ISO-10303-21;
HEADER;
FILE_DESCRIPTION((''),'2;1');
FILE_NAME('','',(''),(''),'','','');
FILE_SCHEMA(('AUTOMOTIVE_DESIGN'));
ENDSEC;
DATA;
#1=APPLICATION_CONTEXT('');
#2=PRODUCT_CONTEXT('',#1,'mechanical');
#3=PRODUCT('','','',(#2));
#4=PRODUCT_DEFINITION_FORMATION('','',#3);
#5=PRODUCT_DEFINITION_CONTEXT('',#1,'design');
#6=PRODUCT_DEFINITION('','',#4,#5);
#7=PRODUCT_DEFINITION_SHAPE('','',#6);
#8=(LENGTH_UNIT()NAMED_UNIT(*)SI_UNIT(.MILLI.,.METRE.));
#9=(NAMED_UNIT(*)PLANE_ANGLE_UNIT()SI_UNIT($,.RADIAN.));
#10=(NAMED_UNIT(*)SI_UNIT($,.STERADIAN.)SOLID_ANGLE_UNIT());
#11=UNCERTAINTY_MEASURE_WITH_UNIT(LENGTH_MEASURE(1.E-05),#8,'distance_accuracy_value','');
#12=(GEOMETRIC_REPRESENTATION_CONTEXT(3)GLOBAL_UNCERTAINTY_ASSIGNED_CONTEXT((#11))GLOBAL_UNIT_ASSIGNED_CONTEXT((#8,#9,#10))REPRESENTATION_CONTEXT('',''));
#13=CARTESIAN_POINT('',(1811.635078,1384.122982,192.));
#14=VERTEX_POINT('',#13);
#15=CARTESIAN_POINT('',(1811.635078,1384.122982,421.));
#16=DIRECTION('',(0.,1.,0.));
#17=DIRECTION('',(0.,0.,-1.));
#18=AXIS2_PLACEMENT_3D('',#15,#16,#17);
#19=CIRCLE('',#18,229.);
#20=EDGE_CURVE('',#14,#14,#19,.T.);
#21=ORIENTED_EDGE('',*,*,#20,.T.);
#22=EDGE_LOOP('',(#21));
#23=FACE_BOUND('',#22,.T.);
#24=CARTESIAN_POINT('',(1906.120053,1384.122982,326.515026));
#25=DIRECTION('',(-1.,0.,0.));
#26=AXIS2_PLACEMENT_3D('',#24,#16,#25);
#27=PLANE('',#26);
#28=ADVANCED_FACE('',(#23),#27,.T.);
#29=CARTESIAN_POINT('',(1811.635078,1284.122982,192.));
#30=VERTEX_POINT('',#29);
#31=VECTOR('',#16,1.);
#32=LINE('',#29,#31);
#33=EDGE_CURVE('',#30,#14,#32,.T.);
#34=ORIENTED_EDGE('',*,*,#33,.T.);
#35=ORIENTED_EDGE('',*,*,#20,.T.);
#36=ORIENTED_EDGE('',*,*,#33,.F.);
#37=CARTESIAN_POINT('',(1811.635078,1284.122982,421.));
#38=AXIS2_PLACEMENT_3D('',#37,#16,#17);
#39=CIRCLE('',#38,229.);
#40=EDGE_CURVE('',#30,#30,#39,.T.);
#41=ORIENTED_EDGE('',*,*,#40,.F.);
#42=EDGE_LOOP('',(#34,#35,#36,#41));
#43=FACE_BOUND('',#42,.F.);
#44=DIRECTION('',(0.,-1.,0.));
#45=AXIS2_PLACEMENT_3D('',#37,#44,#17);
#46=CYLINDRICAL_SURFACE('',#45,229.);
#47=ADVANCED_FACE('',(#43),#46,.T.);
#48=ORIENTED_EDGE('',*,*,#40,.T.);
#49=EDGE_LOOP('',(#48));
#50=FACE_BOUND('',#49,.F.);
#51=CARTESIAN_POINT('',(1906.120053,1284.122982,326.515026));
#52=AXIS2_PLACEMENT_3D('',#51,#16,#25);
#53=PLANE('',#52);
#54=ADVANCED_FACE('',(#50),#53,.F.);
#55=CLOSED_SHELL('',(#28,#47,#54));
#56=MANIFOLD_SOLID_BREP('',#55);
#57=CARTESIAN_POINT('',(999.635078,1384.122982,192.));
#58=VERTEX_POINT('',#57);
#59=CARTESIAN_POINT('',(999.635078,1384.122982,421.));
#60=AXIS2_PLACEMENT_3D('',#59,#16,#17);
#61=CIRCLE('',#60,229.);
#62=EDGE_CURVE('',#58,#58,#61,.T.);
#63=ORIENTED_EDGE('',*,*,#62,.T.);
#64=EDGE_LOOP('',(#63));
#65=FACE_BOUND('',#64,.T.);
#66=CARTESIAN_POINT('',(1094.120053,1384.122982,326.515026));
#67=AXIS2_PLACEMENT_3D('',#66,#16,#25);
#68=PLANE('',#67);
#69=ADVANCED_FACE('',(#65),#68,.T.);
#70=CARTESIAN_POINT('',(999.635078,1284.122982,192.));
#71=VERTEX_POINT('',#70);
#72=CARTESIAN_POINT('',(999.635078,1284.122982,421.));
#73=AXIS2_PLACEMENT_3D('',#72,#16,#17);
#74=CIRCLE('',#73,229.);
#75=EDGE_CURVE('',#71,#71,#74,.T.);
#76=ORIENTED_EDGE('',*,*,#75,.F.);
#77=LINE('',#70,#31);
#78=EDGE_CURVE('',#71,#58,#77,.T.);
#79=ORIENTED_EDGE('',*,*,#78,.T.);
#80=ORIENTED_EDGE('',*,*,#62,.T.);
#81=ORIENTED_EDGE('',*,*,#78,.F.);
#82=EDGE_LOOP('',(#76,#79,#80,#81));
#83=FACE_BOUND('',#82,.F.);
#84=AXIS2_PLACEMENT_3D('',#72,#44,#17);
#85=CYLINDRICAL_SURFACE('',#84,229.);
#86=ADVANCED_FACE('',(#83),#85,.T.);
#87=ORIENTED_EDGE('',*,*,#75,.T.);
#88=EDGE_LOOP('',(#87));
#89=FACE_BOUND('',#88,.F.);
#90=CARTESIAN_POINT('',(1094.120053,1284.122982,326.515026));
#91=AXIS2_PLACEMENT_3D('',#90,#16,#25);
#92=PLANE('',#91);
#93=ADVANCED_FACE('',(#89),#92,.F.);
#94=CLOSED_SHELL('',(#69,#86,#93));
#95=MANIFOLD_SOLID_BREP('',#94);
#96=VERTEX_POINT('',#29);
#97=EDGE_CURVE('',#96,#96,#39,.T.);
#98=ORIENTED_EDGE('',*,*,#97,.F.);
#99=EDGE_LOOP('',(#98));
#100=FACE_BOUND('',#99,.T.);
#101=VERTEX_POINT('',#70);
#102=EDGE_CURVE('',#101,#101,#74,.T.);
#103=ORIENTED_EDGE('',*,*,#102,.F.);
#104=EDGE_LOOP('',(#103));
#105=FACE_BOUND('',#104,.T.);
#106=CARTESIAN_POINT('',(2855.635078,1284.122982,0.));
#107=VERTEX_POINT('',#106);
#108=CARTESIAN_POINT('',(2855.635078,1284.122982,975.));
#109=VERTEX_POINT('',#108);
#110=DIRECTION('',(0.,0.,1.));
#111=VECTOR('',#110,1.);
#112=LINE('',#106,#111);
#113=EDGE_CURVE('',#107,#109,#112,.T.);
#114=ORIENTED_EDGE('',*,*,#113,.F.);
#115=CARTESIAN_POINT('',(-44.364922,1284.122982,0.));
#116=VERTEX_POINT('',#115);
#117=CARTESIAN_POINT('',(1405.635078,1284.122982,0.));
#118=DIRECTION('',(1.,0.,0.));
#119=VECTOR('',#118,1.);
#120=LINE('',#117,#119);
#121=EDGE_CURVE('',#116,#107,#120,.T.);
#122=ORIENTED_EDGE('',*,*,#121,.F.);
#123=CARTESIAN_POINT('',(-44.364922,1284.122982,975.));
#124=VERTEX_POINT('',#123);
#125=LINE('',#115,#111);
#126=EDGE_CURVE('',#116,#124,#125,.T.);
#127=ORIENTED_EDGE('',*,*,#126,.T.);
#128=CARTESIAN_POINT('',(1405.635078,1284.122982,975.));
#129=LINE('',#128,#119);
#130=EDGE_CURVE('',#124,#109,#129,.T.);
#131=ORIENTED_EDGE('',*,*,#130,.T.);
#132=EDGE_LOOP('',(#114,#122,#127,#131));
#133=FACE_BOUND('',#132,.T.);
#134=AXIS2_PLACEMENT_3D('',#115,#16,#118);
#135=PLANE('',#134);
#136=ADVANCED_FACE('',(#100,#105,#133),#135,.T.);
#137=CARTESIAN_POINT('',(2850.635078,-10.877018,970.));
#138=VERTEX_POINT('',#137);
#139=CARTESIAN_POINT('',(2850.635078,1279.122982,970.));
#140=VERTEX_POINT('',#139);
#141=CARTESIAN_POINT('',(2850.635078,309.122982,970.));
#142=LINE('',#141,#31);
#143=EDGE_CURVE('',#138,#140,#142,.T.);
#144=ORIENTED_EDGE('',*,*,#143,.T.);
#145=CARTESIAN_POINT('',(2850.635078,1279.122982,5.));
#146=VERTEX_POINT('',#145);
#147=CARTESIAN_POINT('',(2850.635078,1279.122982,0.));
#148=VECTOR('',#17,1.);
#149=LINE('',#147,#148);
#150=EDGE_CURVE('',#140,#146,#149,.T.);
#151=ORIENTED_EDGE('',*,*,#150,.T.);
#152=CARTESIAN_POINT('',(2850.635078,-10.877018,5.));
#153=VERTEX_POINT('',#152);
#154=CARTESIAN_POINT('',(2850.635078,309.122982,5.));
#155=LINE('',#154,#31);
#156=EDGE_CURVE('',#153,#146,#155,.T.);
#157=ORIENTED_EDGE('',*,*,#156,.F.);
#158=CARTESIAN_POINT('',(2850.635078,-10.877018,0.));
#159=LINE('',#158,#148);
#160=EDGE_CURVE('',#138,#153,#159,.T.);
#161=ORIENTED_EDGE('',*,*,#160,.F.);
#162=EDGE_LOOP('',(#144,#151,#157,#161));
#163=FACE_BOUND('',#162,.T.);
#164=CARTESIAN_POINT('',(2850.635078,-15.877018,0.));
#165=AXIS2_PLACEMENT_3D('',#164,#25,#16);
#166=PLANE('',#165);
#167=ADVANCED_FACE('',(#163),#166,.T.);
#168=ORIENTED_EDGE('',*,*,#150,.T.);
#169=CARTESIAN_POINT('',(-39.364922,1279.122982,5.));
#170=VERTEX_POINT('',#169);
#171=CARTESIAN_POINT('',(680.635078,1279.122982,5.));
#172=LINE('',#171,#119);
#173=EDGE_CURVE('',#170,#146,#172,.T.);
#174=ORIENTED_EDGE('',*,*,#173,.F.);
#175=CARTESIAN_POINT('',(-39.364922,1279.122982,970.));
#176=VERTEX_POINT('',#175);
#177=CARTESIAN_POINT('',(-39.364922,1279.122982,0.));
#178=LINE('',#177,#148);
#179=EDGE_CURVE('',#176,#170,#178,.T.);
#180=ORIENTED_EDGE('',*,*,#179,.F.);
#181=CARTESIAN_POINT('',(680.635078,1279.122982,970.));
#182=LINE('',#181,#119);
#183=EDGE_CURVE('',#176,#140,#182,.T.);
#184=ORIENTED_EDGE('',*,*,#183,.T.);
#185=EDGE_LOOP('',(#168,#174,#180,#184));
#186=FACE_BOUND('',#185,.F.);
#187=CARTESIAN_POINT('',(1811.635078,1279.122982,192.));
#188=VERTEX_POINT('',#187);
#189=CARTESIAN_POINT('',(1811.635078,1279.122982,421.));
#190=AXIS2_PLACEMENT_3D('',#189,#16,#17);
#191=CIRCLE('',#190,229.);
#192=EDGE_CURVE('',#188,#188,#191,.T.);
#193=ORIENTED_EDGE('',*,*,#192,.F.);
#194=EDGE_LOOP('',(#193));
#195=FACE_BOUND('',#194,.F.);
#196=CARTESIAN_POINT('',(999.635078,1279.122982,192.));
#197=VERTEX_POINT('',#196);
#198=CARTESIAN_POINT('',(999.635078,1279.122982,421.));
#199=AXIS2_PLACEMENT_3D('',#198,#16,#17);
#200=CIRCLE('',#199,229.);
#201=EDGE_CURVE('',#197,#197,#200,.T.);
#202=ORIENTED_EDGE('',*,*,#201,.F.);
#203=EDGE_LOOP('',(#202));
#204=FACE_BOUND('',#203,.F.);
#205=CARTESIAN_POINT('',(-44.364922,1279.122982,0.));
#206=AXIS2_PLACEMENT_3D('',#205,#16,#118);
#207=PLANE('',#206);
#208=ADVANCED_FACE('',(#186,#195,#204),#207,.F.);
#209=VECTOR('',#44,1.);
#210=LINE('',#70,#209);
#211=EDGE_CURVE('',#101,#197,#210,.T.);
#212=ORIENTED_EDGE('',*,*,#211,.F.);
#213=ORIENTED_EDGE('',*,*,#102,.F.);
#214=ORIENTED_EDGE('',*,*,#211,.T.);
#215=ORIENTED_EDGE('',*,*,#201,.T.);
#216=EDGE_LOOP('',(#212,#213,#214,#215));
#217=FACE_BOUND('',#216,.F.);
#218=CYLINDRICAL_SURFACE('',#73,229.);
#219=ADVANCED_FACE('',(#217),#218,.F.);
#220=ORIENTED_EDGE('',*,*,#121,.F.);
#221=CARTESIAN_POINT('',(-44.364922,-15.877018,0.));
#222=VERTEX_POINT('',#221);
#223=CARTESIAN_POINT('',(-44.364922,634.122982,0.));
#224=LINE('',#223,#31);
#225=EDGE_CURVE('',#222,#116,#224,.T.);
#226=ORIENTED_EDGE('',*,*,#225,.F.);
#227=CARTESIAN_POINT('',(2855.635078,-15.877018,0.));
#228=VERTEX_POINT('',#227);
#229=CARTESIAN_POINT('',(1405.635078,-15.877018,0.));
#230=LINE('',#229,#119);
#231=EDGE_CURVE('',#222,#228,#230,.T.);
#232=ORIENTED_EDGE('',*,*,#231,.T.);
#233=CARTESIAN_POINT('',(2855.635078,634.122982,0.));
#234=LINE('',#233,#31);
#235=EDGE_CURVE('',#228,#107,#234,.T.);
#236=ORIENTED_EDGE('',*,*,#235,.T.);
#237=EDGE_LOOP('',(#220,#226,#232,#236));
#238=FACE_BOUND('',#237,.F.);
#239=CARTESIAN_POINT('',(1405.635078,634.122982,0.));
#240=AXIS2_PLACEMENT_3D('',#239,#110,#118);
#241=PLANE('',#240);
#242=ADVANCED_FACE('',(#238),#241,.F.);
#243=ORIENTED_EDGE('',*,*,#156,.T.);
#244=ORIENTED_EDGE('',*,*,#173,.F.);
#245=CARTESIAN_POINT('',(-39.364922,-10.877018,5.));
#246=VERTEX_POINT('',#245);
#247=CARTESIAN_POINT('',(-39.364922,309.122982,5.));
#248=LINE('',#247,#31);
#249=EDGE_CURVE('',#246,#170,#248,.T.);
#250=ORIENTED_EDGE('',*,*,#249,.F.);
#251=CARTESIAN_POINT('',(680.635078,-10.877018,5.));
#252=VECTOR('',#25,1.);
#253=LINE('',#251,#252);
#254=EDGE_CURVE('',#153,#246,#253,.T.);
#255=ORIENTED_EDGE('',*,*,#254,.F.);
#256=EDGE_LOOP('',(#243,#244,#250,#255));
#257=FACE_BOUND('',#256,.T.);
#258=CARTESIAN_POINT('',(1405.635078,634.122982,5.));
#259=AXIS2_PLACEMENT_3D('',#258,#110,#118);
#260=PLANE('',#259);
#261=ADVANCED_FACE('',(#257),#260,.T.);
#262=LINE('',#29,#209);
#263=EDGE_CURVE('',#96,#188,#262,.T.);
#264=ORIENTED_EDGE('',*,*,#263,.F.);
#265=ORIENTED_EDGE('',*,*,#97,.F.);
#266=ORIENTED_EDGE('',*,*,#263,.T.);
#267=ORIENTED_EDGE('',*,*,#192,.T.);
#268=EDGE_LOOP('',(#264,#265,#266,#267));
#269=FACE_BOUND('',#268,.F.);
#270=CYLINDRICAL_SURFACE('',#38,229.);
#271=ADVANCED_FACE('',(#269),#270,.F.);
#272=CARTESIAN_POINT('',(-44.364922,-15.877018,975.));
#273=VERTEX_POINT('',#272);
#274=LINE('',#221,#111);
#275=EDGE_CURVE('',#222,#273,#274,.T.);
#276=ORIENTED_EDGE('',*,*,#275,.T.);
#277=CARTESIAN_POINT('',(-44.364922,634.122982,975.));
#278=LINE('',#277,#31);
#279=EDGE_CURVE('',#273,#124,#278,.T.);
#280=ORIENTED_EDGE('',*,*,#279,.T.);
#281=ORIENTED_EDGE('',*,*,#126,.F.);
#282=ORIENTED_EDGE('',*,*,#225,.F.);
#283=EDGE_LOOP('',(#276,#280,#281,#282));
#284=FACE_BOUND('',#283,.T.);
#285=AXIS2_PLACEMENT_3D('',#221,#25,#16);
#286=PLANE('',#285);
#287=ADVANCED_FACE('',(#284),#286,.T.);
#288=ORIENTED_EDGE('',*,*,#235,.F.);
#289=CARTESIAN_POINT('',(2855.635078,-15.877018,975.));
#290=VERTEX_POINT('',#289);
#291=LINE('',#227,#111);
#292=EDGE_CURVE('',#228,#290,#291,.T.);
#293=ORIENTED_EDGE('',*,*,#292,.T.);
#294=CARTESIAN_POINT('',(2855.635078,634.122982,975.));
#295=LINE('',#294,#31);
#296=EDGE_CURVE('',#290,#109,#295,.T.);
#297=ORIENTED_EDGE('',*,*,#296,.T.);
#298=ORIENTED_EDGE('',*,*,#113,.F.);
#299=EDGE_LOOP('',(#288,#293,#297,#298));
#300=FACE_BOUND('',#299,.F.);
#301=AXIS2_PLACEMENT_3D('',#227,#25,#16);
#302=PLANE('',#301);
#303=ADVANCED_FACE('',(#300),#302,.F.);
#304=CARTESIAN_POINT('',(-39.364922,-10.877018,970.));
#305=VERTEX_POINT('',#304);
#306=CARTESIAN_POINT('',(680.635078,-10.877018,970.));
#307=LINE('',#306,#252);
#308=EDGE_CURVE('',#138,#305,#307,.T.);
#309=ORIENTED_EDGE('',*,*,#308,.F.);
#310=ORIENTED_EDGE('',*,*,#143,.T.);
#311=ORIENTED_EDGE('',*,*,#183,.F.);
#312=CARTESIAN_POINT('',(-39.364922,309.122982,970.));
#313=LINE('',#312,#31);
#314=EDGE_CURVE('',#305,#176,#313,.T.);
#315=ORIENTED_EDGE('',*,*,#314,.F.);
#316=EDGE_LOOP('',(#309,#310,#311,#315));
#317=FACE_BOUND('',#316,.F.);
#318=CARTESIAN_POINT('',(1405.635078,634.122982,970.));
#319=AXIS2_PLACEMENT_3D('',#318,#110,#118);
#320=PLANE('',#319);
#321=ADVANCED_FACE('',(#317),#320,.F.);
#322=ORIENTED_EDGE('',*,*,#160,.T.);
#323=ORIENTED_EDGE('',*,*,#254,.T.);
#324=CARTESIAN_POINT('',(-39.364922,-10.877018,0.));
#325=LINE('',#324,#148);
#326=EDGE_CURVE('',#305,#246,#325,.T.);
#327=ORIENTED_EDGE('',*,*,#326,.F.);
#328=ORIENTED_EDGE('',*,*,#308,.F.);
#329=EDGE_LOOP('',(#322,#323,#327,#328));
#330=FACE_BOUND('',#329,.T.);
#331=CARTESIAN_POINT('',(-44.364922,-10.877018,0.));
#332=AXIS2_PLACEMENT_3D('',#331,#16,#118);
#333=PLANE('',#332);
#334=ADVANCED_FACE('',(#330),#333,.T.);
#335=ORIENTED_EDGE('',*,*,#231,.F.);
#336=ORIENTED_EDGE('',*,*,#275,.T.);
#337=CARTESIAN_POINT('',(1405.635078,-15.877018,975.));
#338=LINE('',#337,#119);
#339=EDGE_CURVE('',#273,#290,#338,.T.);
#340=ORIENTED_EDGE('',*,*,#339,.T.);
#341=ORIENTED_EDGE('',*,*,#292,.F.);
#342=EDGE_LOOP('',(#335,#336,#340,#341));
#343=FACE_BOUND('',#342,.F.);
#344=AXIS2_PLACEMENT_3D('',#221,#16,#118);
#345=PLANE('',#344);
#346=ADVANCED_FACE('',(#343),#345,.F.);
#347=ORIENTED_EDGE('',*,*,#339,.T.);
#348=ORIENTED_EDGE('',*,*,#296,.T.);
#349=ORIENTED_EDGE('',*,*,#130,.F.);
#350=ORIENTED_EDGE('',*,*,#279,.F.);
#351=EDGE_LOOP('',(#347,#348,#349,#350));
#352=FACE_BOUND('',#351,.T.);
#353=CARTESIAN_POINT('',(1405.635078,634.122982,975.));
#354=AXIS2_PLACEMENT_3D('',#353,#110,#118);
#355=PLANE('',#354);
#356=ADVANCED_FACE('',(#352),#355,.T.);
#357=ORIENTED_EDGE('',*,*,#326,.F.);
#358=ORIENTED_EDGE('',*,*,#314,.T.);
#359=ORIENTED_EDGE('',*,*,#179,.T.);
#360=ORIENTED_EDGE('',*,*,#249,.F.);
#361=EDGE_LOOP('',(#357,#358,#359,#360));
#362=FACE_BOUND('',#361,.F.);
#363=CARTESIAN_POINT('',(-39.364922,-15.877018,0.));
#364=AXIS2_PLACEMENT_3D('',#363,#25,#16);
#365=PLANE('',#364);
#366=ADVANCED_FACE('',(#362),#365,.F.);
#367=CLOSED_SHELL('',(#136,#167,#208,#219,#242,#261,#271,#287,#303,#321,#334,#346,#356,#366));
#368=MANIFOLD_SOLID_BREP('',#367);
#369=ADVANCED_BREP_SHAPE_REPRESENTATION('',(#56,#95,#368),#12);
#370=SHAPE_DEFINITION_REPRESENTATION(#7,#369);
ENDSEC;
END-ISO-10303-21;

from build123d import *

# Parameters (mm, degrees)
F0_W     = 2900
F0_H     = 1300
F1_DEPTH = 975
F2_T     = -5
F4_DEPTH = 100
F5_DEPTH = 326


with BuildPart() as f1:
    # F0 (on Top) → F1 (new body)
    with BuildSketch(Plane.XY):
        with Locations((1405.6350782514, 634.1229822487)):
            Rectangle(F0_W, F0_H)
    extrude(amount=F1_DEPTH)

    # F2 (hollow: no face is removed)
    offset(amount=F2_T, mode=Mode.SUBTRACT)

    # F3 (on face) → F5 (cut)
    with BuildSketch(Plane(origin=(0, 1284.1229822487, 0), x_dir=(-1, 0, 0), z_dir=(0, 1, 0))):
        with BuildLine():
            ThreePointArc((-1811.6350782514, 650), (-1973.5625311431, 582.9274528917), (-2040.6350782514, 421))
            Line((-2040.6350782514, 421), (-1811.6350782514, 421))
            Line((-1811.6350782514, 421), (-1811.6350782514, 650))
        make_face()
        with BuildLine():
            ThreePointArc((-999.6350782514, 650), (-1161.5625311431, 582.9274528917), (-1228.6350782514, 421))
            Line((-1228.6350782514, 421), (-999.6350782514, 421))
            Line((-999.6350782514, 421), (-999.6350782514, 650))
        make_face()
        with BuildLine():
            Line((-999.6350782514, 421), (-1228.6350782514, 421))
            ThreePointArc((-1228.6350782514, 421), (-1161.5625311431, 259.0725471083), (-999.6350782514, 192))
            Line((-999.6350782514, 192), (-999.6350782514, 421))
        make_face()
        with BuildLine():
            Line((-1811.6350782514, 421), (-2040.6350782514, 421))
            ThreePointArc((-2040.6350782514, 421), (-1973.5625311431, 259.0725471083), (-1811.6350782514, 192))
            Line((-1811.6350782514, 192), (-1811.6350782514, 421))
        make_face()
        with BuildLine():
            Line((-1811.6350782514, 650), (-1811.6350782514, 421))
            Line((-1811.6350782514, 421), (-1582.6350782514, 421))
            ThreePointArc((-1582.6350782514, 421), (-1649.7076253596, 582.9274528917), (-1811.6350782514, 650))
        make_face()
        with BuildLine():
            Line((-1582.6350782514, 421), (-1811.6350782514, 421))
            Line((-1811.6350782514, 421), (-1811.6350782514, 192))
            ThreePointArc((-1811.6350782514, 192), (-1649.7076253596, 259.0725471083), (-1582.6350782514, 421))
        make_face()
        with BuildLine():
            Line((-999.6350782514, 650), (-999.6350782514, 421))
            Line((-999.6350782514, 421), (-770.6350782514, 421))
            ThreePointArc((-770.6350782514, 421), (-837.7076253596, 582.9274528917), (-999.6350782514, 650))
        make_face()
        with BuildLine():
            Line((-770.6350782514, 421), (-999.6350782514, 421))
            Line((-999.6350782514, 421), (-999.6350782514, 192))
            ThreePointArc((-999.6350782514, 192), (-837.7076253596, 259.0725471083), (-770.6350782514, 421))
        make_face()
    extrude(amount=-F5_DEPTH, mode=Mode.SUBTRACT)


with BuildPart() as f4:
    # F3 (on face) → F4 (new body)
    with BuildSketch(Plane(origin=(0, 1284.1229822487, 0), x_dir=(-1, 0, 0), z_dir=(0, 1, 0))):
        with BuildLine():
            Line((-1811.6350782514, 192), (-1811.6350782514, 421))
            Line((-1811.6350782514, 421), (-2040.6350782514, 421))
            ThreePointArc((-2040.6350782514, 421), (-1973.5625311431, 259.0725471083), (-1811.6350782514, 192))
        make_face()
        with BuildLine():
            Line((-2040.6350782514, 421), (-1811.6350782514, 421))
            Line((-1811.6350782514, 421), (-1811.6350782514, 650))
            ThreePointArc((-1811.6350782514, 650), (-1973.5625311431, 582.9274528917), (-2040.6350782514, 421))
        make_face()
        with BuildLine():
            Line((-1811.6350782514, 421), (-1582.6350782514, 421))
            ThreePointArc((-1582.6350782514, 421), (-1649.7076253596, 582.9274528917), (-1811.6350782514, 650))
            Line((-1811.6350782514, 650), (-1811.6350782514, 421))
        make_face()
        with BuildLine():
            ThreePointArc((-1811.6350782514, 192), (-1649.7076253596, 259.0725471083), (-1582.6350782514, 421))
            Line((-1582.6350782514, 421), (-1811.6350782514, 421))
            Line((-1811.6350782514, 421), (-1811.6350782514, 192))
        make_face()
    extrude(amount=F4_DEPTH)


with BuildPart() as f4b:
    # F3 (on face) → F4, piece 2 (new body)
    with BuildSketch(Plane(origin=(0, 1284.1229822487, 0), x_dir=(-1, 0, 0), z_dir=(0, 1, 0))):
        with BuildLine():
            Line((-999.6350782514, 192), (-999.6350782514, 421))
            Line((-999.6350782514, 421), (-1228.6350782514, 421))
            ThreePointArc((-1228.6350782514, 421), (-1161.5625311431, 259.0725471083), (-999.6350782514, 192))
        make_face()
        with BuildLine():
            Line((-1228.6350782514, 421), (-999.6350782514, 421))
            Line((-999.6350782514, 421), (-999.6350782514, 650))
            ThreePointArc((-999.6350782514, 650), (-1161.5625311431, 582.9274528917), (-1228.6350782514, 421))
        make_face()
        with BuildLine():
            Line((-999.6350782514, 421), (-770.6350782514, 421))
            ThreePointArc((-770.6350782514, 421), (-837.7076253596, 582.9274528917), (-999.6350782514, 650))
            Line((-999.6350782514, 650), (-999.6350782514, 421))
        make_face()
        with BuildLine():
            ThreePointArc((-999.6350782514, 192), (-837.7076253596, 259.0725471083), (-770.6350782514, 421))
            Line((-770.6350782514, 421), (-999.6350782514, 421))
            Line((-999.6350782514, 421), (-999.6350782514, 192))
        make_face()
    extrude(amount=F4_DEPTH)


solid = Compound([f1.part, f4.part, f4b.part])
